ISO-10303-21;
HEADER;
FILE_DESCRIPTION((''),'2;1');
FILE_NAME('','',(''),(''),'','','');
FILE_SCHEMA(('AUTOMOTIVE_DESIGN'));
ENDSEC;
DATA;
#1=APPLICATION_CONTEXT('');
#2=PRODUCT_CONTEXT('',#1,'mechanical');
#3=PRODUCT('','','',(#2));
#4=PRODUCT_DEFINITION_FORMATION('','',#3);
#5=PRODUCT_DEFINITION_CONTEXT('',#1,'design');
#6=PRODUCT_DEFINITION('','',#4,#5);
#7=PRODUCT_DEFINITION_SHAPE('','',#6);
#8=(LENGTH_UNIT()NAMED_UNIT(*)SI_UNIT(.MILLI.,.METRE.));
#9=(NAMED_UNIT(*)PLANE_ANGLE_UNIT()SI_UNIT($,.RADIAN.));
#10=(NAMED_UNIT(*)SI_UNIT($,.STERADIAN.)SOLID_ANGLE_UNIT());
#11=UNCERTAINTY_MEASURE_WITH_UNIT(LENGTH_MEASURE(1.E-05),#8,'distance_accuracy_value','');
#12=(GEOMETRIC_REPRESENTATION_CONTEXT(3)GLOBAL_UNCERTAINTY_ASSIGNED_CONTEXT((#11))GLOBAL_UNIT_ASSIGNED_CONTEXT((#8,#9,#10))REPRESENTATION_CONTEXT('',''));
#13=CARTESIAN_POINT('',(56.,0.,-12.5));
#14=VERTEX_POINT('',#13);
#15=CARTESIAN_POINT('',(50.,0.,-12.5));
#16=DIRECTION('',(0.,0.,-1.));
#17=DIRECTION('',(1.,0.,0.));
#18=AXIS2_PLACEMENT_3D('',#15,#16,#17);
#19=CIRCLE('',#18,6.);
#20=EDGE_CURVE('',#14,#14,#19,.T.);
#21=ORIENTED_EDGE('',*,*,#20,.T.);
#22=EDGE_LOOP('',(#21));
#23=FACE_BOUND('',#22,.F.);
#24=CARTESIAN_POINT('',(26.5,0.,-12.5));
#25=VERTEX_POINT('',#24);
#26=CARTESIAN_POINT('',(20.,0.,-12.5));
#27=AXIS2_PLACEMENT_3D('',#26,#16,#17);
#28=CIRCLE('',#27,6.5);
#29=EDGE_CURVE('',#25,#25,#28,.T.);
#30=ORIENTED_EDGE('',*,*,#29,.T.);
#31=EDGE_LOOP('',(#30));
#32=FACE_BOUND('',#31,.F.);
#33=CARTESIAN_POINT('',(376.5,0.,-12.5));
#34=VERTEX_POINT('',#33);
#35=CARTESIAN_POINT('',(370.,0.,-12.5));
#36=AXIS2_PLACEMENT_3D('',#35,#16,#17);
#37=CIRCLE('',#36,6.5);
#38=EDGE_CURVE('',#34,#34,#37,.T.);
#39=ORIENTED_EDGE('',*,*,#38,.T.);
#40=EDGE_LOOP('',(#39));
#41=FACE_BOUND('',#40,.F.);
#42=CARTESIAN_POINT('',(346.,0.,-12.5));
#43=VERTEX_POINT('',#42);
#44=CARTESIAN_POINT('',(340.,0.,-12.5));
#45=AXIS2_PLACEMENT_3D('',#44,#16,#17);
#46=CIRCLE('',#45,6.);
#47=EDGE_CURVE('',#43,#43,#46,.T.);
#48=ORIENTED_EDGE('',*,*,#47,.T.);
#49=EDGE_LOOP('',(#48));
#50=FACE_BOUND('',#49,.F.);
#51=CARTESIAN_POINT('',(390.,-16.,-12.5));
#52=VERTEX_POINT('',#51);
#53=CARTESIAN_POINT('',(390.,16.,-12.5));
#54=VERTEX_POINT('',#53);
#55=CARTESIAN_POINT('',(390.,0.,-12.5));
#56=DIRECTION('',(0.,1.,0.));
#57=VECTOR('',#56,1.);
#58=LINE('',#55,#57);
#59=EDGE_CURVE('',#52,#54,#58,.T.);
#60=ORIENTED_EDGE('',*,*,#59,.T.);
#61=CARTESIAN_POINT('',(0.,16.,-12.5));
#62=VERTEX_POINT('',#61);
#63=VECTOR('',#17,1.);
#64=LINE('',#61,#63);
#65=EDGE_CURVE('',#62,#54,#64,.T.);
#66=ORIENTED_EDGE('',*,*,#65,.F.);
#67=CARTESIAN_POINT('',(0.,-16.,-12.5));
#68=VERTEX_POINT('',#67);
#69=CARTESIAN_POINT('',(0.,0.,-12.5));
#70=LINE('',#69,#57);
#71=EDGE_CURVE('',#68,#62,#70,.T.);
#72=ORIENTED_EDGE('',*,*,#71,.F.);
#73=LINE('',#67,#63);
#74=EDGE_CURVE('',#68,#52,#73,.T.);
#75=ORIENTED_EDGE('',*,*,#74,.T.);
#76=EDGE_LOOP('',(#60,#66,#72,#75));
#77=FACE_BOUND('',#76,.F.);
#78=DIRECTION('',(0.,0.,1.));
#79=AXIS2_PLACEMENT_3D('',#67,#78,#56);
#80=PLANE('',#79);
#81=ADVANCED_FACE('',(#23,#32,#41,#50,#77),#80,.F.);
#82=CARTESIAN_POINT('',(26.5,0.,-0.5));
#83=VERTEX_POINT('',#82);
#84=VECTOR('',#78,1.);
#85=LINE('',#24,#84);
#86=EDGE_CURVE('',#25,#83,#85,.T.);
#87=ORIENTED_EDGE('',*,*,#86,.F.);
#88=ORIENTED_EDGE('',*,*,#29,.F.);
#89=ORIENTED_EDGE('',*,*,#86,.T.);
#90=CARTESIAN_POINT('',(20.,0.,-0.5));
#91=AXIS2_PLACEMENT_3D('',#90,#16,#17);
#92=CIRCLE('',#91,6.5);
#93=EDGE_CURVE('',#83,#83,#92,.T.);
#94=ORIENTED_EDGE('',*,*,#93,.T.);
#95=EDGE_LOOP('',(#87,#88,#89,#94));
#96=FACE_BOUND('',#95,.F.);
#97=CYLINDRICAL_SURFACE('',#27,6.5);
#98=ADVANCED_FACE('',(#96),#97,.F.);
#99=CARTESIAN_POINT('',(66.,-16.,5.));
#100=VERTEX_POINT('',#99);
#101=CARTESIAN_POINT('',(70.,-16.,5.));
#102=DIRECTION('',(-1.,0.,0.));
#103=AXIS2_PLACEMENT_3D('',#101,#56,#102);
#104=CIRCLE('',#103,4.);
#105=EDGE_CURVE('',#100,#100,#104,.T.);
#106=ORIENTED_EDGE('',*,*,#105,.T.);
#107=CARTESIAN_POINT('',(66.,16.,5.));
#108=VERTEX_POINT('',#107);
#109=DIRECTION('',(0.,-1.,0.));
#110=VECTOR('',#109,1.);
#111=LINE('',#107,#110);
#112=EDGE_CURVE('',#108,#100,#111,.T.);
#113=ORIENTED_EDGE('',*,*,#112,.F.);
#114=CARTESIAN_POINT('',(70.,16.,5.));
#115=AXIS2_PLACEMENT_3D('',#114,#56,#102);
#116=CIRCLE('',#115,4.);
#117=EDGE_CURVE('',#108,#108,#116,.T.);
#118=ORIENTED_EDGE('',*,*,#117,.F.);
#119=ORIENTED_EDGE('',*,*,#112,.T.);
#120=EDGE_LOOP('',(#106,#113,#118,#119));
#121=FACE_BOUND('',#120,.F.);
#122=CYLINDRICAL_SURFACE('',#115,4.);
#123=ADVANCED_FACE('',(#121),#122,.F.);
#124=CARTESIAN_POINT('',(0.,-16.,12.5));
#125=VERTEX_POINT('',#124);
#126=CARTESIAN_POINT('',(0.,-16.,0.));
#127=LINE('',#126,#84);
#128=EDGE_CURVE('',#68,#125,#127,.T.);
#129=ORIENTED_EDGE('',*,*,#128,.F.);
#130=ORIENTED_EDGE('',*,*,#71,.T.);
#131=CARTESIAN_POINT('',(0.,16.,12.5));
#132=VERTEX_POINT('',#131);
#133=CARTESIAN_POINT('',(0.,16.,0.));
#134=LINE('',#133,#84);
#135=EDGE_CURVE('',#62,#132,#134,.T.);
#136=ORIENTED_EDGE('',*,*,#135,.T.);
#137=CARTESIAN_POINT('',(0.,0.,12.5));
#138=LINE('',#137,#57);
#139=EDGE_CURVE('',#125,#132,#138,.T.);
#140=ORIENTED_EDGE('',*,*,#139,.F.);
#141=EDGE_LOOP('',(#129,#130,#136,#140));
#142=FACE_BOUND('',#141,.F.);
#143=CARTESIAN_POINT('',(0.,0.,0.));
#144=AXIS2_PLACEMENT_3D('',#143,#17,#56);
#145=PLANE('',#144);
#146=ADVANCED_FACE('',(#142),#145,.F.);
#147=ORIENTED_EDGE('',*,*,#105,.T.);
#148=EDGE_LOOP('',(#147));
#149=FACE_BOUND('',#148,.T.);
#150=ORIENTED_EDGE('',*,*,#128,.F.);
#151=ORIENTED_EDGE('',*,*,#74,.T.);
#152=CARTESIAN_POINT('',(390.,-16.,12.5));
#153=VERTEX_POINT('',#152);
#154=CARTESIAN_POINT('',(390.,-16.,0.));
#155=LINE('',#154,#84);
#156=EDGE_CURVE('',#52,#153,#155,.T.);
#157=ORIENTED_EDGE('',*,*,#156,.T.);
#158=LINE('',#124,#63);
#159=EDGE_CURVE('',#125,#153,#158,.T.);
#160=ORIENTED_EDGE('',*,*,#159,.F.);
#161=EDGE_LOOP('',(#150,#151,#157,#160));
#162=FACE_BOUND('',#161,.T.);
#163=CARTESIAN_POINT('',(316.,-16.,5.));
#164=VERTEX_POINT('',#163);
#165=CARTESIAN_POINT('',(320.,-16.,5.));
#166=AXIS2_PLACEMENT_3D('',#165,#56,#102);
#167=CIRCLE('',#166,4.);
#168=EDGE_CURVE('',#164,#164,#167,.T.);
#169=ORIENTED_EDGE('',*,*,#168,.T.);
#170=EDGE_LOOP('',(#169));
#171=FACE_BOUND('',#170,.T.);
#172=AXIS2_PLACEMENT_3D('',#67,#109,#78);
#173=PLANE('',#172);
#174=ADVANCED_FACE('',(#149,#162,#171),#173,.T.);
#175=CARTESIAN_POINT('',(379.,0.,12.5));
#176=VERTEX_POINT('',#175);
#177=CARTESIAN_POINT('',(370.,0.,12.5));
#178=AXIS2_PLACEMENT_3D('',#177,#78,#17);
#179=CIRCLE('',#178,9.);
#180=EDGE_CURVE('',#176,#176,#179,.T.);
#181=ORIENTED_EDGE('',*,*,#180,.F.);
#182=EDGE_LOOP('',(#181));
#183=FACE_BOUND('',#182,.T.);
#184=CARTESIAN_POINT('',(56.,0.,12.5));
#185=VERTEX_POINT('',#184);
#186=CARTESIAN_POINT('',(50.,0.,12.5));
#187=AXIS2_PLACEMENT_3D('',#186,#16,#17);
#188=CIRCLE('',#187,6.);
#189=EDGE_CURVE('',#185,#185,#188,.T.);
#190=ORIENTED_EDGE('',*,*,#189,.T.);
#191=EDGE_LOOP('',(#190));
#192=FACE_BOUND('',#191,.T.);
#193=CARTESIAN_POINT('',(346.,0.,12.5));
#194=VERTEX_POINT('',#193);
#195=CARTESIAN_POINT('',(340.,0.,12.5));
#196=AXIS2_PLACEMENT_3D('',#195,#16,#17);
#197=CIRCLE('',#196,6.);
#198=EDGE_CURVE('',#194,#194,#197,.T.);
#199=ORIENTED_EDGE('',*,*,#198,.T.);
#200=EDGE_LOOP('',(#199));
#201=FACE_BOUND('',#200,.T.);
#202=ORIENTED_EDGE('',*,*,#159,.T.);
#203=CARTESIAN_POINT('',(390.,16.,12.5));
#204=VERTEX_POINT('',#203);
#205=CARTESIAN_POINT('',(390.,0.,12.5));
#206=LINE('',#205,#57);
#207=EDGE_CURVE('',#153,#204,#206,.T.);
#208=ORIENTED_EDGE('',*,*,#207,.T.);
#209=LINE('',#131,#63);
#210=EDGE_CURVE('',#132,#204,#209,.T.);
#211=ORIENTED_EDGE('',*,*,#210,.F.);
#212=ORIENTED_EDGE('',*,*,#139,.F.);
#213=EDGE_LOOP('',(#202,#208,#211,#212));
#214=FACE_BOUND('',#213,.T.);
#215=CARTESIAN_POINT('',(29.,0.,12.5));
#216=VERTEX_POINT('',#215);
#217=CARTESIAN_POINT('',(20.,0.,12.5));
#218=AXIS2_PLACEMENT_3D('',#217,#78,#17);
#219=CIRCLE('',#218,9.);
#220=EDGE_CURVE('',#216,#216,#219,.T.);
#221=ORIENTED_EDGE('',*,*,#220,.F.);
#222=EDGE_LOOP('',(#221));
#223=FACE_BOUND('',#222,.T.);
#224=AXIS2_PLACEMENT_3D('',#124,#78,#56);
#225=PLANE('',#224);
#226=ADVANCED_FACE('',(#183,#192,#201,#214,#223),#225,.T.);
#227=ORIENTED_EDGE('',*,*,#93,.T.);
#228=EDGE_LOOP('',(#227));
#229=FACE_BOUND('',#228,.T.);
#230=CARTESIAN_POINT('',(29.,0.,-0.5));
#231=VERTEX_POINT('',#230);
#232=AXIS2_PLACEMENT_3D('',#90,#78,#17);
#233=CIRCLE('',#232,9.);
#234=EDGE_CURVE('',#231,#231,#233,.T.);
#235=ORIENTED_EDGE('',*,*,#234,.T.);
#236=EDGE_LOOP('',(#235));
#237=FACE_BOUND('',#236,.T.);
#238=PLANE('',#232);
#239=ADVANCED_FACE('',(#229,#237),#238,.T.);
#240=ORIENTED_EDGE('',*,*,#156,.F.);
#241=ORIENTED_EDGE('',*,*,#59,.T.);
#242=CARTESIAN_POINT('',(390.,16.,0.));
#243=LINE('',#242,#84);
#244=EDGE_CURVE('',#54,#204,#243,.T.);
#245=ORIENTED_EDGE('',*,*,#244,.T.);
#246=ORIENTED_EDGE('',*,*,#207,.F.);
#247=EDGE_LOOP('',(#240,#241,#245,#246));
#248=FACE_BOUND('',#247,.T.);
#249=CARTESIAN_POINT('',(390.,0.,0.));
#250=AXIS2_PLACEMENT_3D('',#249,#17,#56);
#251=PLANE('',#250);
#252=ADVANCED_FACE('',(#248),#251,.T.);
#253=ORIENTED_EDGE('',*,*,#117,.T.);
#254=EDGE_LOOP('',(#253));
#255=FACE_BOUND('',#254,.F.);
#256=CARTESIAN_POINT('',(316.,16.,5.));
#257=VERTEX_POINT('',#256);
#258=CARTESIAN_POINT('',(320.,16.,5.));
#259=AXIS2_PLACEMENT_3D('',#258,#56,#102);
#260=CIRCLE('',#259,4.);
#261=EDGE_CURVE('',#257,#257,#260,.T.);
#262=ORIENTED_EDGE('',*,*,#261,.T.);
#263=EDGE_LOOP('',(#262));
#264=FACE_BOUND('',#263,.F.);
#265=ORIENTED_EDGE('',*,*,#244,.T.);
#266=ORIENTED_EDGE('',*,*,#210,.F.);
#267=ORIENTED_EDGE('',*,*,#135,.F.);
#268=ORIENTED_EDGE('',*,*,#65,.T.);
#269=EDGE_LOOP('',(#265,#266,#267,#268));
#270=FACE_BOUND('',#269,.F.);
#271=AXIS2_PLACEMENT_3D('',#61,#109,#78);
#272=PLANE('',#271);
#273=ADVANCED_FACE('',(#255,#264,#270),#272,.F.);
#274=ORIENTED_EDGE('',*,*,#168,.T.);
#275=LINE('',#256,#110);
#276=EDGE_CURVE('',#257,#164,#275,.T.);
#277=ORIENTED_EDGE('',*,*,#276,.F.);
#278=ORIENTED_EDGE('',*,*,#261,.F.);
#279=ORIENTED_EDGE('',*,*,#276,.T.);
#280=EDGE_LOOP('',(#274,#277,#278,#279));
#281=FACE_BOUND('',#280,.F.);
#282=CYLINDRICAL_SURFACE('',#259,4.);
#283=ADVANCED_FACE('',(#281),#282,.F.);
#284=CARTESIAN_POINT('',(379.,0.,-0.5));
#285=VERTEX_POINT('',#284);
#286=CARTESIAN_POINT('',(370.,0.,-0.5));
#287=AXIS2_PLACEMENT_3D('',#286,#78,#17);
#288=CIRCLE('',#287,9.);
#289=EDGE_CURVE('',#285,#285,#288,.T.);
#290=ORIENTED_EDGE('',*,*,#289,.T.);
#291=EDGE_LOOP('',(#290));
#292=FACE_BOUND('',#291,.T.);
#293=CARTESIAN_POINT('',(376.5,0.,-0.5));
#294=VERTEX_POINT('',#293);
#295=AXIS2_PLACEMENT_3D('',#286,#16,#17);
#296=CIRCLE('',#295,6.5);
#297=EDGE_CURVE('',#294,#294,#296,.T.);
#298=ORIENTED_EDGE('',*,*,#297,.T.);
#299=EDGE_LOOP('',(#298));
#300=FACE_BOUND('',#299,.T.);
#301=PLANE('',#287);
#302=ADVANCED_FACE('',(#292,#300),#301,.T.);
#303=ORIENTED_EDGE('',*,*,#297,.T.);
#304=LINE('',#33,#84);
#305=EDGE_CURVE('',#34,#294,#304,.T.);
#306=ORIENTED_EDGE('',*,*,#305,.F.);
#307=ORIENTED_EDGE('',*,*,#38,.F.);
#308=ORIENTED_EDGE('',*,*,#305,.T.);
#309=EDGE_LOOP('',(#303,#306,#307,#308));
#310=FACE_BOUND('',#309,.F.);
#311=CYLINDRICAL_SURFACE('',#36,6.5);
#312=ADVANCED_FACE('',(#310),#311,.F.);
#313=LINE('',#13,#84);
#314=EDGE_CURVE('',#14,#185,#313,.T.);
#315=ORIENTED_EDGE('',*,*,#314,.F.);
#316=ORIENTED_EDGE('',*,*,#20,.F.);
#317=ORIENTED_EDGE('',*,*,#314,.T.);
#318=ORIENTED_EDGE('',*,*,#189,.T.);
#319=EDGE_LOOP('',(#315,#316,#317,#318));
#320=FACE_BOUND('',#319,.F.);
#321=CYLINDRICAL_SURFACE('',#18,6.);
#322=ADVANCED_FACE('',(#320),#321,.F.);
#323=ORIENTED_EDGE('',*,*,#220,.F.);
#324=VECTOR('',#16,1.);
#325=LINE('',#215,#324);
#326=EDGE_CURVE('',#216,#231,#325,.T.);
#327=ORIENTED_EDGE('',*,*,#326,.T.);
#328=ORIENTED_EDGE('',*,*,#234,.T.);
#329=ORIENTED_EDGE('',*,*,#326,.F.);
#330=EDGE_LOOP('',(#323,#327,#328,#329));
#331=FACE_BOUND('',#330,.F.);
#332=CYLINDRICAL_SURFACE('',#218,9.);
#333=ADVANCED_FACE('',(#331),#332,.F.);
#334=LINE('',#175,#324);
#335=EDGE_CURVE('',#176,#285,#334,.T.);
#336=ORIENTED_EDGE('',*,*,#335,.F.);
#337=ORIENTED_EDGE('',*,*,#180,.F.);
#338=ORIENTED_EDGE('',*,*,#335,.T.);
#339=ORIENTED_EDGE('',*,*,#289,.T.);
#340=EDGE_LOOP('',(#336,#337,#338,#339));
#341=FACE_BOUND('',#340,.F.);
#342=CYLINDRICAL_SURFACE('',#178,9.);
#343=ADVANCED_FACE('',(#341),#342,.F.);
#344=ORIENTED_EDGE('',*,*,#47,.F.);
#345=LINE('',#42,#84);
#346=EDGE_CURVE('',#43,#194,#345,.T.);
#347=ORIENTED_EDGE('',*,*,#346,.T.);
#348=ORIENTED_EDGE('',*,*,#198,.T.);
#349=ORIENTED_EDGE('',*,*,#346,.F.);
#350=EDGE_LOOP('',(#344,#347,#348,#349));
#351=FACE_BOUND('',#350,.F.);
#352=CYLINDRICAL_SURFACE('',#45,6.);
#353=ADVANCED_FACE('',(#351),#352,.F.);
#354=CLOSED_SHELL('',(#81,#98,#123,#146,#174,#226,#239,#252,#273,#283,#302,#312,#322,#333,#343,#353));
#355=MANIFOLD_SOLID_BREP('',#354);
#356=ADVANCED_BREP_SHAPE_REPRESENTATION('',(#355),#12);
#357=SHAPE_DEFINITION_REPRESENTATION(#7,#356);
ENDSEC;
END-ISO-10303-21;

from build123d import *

# Parameters (mm, degrees)
F0_W     = 32
F0_H     = 25
F1_DEPTH = 390
F2_R     = 4
F3_DEPTH = 93
F4_R     = 6.5
F5_DEPTH = 40.8
F6_R     = 9
F7_DEPTH = 13
F8_R     = 6
F9_DEPTH = 76.1


with BuildPart() as f1:
    # F0 (on Right) → F1 (new body)
    with BuildSketch(Plane.YZ):
        Rectangle(F0_W, F0_H)
    extrude(amount=F1_DEPTH)

    # F2 (on face) → F3 (cut)
    with BuildSketch(Plane(origin=(0, 16, 0), x_dir=(-1, 0, 0), z_dir=(0, 1, 0))):
        with Locations((-320, 5)):
            Circle(F2_R)
        with Locations((-70, 5)):
            Circle(F2_R)
    extrude(amount=-F3_DEPTH, mode=Mode.SUBTRACT)

    # F4 (on face) → F5 (cut)
    with BuildSketch(Plane(origin=(0, 0, -12.5), x_dir=(1, 0, 0), z_dir=(0, 0, -1))):
        with Locations((20, 0)):
            Circle(F4_R)
        with Locations((370, 0)):
            Circle(F4_R)
    extrude(amount=-F5_DEPTH, mode=Mode.SUBTRACT)

    # F6 (on face) → F7 (cut)
    with BuildSketch(Plane.XY.offset(12.5)):
        with Locations((20, 0)):
            Circle(F6_R)
        with Locations((370, 0)):
            Circle(F6_R)
    extrude(amount=-F7_DEPTH, mode=Mode.SUBTRACT)

    # F8 (on face) → F9 (cut)
    with BuildSketch(Plane(origin=(0, 0, -12.5), x_dir=(1, 0, 0), z_dir=(0, 0, -1))):
        with Locations((50, 0)):
            Circle(F8_R)
        with Locations((340, 0)):
            Circle(F8_R)
    extrude(amount=-F9_DEPTH, mode=Mode.SUBTRACT)


solid = f1.part
